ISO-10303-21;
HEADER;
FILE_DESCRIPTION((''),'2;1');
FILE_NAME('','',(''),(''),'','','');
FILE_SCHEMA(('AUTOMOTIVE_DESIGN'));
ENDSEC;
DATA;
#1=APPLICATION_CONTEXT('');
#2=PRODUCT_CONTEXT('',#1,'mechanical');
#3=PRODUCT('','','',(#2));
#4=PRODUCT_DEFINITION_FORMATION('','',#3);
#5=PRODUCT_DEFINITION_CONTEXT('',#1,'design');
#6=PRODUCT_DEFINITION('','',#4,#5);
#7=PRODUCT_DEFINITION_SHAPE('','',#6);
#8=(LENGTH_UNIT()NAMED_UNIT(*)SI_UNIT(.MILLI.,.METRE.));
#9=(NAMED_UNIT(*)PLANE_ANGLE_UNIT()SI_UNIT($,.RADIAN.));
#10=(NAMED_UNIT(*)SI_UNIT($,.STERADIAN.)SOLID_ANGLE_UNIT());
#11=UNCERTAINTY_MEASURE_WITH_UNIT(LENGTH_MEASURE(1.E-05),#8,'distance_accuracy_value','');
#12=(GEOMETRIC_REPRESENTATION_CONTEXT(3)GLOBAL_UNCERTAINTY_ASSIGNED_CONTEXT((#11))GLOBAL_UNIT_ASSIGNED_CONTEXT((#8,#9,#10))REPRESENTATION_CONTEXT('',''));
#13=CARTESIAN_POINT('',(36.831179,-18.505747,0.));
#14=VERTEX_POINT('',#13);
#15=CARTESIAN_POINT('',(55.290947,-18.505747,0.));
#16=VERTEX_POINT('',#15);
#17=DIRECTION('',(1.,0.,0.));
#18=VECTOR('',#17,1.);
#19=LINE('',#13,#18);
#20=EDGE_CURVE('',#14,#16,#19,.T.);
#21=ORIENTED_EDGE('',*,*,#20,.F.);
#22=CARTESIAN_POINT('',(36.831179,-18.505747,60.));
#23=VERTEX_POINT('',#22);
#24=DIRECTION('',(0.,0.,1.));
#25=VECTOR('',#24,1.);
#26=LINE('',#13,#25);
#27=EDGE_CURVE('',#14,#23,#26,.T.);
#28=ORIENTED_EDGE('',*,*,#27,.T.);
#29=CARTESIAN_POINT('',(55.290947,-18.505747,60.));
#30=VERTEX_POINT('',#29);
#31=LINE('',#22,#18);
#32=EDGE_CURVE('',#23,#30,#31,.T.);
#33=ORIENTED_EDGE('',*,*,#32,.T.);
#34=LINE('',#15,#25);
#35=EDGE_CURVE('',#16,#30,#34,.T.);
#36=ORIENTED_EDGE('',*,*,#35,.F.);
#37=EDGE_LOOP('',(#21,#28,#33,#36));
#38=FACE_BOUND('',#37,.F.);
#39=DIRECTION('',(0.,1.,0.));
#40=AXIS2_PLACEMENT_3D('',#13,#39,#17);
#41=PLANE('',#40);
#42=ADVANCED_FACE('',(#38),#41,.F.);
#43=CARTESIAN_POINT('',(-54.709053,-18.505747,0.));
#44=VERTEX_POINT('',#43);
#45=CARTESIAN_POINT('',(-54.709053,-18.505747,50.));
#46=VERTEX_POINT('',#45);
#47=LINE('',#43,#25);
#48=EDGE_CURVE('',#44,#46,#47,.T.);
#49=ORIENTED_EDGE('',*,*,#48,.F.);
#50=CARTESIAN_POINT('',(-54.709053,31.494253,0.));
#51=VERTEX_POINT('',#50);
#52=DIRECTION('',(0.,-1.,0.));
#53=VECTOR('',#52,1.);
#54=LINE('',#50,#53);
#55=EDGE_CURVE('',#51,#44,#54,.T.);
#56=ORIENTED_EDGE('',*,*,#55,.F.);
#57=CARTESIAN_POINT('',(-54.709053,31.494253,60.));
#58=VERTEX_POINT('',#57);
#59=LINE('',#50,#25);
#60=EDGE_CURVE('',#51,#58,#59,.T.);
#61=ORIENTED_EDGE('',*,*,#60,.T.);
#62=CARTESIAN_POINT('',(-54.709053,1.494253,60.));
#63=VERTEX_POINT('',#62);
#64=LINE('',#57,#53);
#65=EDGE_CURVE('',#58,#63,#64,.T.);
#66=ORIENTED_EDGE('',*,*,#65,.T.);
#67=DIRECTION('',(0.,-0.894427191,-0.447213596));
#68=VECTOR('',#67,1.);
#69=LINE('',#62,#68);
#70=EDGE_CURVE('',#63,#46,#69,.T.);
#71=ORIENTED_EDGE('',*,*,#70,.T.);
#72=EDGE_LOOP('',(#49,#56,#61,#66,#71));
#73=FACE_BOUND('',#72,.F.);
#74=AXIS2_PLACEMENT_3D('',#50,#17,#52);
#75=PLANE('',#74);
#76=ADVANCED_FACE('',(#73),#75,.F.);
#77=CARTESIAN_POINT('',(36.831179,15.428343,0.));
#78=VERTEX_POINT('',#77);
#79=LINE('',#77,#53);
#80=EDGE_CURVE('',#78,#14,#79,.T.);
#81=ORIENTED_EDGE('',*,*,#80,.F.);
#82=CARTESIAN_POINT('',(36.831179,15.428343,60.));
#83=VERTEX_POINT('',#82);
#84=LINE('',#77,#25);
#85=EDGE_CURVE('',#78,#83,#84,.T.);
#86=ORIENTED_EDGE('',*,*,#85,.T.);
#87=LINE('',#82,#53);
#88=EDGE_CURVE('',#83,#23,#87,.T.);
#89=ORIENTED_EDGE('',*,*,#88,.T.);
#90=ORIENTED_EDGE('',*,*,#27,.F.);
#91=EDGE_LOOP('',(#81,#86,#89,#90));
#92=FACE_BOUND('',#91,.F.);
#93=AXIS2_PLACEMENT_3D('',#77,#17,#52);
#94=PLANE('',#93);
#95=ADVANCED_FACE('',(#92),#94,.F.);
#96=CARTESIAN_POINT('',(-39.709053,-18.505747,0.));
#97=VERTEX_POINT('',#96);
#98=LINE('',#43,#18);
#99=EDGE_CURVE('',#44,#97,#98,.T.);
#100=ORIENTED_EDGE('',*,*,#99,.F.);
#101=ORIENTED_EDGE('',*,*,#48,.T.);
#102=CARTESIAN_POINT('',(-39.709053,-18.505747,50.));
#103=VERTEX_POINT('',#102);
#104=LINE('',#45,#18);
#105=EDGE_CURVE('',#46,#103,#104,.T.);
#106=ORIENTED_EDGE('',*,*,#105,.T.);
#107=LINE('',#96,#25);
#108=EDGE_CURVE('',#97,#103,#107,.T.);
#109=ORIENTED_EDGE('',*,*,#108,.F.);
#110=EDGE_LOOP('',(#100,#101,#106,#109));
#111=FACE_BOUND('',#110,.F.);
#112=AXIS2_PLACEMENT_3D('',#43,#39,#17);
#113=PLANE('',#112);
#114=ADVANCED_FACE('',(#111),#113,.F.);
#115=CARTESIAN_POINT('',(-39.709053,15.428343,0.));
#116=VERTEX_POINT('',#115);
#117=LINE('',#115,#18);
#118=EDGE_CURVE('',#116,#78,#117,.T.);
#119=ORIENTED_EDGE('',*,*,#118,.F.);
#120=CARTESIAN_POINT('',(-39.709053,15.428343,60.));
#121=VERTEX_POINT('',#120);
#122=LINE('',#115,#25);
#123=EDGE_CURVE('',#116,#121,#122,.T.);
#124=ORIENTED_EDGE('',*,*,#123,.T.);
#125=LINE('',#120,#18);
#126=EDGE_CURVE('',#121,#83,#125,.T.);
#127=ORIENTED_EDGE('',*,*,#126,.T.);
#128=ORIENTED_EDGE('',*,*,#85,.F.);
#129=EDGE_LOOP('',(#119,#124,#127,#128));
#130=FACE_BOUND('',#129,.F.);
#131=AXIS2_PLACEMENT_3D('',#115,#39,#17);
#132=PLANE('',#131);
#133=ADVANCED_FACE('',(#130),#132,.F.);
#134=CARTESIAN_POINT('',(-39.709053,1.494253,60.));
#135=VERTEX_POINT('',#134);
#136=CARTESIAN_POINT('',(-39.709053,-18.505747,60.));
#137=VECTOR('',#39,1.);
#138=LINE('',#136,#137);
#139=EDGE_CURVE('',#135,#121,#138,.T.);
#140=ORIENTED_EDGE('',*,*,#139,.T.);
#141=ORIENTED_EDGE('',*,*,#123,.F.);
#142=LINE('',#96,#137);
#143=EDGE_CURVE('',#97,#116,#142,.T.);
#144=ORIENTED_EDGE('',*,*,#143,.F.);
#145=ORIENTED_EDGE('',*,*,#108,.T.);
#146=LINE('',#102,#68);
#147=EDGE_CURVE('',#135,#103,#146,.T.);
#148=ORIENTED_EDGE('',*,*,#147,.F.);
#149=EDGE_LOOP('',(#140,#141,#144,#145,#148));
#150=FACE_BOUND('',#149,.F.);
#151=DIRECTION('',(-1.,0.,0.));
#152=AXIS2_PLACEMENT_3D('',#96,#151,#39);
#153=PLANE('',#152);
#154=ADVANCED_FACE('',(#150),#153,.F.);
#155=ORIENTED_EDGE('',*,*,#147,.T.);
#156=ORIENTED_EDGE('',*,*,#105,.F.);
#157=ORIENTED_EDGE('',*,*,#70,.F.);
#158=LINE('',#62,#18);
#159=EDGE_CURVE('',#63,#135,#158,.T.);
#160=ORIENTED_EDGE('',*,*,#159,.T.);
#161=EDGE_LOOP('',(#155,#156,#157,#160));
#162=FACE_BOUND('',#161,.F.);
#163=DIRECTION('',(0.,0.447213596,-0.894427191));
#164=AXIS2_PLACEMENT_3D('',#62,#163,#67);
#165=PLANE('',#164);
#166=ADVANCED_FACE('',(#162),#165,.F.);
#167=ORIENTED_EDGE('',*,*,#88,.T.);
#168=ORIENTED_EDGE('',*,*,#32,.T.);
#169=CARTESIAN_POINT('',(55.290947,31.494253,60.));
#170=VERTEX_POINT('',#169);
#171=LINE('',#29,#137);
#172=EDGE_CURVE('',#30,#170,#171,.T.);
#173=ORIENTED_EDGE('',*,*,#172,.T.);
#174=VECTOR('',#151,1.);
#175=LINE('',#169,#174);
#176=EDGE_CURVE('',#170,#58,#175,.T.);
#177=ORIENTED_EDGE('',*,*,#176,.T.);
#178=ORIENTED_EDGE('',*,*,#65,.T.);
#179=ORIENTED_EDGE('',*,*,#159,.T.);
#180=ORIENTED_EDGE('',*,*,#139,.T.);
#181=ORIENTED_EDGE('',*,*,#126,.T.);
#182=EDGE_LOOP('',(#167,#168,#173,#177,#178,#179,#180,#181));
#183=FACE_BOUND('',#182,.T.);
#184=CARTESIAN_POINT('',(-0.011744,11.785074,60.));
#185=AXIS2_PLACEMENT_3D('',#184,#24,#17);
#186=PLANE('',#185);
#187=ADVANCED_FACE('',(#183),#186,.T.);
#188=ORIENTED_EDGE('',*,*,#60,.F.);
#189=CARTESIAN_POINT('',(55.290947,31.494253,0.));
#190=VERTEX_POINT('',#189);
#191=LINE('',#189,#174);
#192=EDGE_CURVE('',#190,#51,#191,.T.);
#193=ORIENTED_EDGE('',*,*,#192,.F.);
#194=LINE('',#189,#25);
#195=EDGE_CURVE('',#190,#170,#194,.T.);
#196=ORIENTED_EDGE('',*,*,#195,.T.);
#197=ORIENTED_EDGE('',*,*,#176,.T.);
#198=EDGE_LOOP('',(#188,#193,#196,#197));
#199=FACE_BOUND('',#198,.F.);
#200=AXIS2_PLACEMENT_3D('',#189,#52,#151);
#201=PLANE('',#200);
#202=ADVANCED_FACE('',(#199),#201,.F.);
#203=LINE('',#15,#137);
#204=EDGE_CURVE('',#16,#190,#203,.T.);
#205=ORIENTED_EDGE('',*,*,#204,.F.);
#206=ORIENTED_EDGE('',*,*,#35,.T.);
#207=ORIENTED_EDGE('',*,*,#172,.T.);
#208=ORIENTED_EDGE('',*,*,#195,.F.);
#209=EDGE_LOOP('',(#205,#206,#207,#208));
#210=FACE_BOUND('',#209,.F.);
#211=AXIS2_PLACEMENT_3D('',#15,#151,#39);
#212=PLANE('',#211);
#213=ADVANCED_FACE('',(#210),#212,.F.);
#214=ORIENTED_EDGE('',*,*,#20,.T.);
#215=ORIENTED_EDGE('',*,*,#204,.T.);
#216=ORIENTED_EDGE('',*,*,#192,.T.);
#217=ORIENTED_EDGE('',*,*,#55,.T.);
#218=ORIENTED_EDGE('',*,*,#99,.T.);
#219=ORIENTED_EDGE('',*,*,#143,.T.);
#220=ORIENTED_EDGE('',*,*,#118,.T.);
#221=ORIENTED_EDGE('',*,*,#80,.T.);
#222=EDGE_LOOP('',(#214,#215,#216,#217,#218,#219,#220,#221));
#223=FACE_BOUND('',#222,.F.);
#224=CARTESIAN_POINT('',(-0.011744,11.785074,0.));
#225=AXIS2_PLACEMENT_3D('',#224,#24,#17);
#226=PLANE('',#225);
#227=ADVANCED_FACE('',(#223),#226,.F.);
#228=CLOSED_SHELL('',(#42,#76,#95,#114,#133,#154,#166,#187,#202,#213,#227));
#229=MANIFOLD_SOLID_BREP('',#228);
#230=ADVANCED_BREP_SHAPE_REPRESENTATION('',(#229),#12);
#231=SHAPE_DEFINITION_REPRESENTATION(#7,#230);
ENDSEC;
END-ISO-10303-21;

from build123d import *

# Parameters (mm, degrees)
F1_DEPTH = 60
F3_DEPTH = 25


with BuildPart() as f1:
    # F0 (on Top) → F1 (new body)
    with BuildSketch(Plane.XY):
        Polygon((-54.709053, 31.494253), (-54.709053, -18.505747), (-39.709053, -18.505747), (-39.709053, 15.428343), (36.831179, 15.428343), (36.831179, -18.505747), (55.290947, -18.505747), (55.290947, 31.494253), align=None)
    extrude(amount=F1_DEPTH)

    # F2 (on face) → F3 (cut)
    with BuildSketch(Plane(origin=(-54.709053, 0, 0), x_dir=(0, -1, 0), z_dir=(-1, 0, 0))):
        Polygon((18.505747, 60), (-1.494253, 60), (18.505747, 50), align=None)
    extrude(amount=-F3_DEPTH, mode=Mode.SUBTRACT)


solid = f1.part
